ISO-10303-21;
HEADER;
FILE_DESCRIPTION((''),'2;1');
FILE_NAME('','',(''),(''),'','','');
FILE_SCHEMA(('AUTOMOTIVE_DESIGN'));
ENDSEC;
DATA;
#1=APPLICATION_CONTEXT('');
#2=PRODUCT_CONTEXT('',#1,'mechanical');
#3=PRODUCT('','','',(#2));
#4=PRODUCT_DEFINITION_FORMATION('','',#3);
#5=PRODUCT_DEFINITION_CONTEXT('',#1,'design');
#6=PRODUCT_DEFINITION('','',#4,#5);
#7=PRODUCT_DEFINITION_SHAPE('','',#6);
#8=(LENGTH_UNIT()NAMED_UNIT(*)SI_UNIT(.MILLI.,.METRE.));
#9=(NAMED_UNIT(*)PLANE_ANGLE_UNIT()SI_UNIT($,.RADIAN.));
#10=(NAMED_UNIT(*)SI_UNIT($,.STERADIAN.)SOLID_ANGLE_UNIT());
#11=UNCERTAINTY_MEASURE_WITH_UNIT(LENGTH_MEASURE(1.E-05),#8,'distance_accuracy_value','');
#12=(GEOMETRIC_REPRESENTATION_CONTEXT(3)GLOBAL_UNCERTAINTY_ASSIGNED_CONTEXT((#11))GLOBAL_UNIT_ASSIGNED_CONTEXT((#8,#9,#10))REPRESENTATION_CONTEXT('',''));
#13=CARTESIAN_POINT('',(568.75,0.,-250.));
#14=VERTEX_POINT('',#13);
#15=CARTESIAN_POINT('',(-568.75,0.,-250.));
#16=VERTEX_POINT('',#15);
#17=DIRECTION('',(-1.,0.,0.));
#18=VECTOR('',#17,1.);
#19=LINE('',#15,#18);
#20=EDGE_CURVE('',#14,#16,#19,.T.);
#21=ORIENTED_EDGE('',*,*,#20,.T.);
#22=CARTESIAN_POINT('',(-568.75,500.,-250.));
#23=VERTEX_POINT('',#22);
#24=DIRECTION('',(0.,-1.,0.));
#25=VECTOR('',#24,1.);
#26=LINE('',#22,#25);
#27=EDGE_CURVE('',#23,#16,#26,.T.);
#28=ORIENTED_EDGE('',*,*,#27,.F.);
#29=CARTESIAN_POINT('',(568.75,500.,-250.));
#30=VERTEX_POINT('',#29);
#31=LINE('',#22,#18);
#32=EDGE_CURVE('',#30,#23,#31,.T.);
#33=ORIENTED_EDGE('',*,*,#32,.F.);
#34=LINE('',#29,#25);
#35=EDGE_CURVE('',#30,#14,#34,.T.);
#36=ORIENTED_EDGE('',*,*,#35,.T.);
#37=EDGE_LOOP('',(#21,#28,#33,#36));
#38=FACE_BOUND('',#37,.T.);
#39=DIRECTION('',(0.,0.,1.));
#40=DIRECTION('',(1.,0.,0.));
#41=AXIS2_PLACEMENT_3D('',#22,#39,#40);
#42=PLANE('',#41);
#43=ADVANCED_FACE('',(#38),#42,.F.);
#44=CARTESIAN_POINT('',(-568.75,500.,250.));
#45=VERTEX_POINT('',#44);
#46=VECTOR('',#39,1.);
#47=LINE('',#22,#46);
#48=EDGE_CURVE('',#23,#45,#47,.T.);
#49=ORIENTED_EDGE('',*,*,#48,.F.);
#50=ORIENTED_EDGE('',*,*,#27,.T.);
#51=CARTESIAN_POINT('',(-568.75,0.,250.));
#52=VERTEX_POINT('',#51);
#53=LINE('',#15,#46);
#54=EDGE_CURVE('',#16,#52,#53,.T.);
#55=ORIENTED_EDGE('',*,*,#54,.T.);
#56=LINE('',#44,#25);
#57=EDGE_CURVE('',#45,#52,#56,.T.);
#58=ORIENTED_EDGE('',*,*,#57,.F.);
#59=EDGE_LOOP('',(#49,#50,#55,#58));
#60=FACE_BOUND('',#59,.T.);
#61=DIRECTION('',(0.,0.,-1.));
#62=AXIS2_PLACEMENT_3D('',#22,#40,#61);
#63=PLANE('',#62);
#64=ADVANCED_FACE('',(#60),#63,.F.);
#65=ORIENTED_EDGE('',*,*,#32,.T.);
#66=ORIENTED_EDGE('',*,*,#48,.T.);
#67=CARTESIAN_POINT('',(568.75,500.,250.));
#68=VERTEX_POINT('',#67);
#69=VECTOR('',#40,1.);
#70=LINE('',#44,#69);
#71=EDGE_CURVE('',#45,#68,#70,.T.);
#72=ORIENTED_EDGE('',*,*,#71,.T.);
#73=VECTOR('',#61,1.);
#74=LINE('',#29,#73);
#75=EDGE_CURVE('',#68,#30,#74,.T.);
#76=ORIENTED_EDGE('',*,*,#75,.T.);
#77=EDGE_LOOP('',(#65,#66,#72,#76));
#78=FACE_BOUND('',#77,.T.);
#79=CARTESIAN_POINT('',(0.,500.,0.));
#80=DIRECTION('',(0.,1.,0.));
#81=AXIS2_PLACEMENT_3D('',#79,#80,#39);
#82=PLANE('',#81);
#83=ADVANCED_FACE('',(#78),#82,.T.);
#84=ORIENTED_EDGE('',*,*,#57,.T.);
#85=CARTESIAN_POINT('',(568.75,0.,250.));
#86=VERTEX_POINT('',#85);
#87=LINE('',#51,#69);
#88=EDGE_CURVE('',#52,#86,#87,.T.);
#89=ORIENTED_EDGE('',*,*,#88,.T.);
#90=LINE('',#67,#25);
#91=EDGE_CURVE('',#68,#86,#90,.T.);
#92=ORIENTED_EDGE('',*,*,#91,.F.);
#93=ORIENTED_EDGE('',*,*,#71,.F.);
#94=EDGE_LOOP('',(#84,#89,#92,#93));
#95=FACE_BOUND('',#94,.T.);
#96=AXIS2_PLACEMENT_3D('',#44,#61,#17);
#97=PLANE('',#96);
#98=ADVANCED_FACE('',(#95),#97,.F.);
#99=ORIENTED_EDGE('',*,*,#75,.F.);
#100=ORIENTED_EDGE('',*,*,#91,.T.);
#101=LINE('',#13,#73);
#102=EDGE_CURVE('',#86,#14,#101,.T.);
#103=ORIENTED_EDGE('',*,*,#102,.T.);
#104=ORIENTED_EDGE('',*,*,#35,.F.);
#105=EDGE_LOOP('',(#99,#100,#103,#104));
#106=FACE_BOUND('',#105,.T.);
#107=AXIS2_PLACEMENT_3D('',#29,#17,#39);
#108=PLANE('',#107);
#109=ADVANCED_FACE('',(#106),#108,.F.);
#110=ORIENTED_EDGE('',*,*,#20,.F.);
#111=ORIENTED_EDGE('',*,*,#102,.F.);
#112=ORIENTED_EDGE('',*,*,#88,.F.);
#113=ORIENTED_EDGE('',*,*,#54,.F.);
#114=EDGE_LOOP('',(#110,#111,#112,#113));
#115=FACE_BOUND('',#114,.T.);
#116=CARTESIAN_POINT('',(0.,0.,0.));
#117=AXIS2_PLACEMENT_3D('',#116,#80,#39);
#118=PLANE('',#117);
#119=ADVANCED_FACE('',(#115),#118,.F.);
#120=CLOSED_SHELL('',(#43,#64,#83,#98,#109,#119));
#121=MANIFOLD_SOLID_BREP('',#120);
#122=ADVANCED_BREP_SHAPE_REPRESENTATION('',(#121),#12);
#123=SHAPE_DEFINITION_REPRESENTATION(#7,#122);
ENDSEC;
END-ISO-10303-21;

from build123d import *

# Parameters (mm, degrees)
SKETCH1_W           = 1137.5
SKETCH1_H           = 500
BOSS_EXTRUDE1_DEPTH = 500


with BuildPart() as part:
    # Sketch1 → Boss-Extrude1 (new body)
    with BuildSketch(Plane(origin=(0, 0, 0), x_dir=(1, 0, 0), z_dir=(0, 1, 0))):
        Rectangle(SKETCH1_W, SKETCH1_H)
    extrude(amount=BOSS_EXTRUDE1_DEPTH)


solid = part.part
